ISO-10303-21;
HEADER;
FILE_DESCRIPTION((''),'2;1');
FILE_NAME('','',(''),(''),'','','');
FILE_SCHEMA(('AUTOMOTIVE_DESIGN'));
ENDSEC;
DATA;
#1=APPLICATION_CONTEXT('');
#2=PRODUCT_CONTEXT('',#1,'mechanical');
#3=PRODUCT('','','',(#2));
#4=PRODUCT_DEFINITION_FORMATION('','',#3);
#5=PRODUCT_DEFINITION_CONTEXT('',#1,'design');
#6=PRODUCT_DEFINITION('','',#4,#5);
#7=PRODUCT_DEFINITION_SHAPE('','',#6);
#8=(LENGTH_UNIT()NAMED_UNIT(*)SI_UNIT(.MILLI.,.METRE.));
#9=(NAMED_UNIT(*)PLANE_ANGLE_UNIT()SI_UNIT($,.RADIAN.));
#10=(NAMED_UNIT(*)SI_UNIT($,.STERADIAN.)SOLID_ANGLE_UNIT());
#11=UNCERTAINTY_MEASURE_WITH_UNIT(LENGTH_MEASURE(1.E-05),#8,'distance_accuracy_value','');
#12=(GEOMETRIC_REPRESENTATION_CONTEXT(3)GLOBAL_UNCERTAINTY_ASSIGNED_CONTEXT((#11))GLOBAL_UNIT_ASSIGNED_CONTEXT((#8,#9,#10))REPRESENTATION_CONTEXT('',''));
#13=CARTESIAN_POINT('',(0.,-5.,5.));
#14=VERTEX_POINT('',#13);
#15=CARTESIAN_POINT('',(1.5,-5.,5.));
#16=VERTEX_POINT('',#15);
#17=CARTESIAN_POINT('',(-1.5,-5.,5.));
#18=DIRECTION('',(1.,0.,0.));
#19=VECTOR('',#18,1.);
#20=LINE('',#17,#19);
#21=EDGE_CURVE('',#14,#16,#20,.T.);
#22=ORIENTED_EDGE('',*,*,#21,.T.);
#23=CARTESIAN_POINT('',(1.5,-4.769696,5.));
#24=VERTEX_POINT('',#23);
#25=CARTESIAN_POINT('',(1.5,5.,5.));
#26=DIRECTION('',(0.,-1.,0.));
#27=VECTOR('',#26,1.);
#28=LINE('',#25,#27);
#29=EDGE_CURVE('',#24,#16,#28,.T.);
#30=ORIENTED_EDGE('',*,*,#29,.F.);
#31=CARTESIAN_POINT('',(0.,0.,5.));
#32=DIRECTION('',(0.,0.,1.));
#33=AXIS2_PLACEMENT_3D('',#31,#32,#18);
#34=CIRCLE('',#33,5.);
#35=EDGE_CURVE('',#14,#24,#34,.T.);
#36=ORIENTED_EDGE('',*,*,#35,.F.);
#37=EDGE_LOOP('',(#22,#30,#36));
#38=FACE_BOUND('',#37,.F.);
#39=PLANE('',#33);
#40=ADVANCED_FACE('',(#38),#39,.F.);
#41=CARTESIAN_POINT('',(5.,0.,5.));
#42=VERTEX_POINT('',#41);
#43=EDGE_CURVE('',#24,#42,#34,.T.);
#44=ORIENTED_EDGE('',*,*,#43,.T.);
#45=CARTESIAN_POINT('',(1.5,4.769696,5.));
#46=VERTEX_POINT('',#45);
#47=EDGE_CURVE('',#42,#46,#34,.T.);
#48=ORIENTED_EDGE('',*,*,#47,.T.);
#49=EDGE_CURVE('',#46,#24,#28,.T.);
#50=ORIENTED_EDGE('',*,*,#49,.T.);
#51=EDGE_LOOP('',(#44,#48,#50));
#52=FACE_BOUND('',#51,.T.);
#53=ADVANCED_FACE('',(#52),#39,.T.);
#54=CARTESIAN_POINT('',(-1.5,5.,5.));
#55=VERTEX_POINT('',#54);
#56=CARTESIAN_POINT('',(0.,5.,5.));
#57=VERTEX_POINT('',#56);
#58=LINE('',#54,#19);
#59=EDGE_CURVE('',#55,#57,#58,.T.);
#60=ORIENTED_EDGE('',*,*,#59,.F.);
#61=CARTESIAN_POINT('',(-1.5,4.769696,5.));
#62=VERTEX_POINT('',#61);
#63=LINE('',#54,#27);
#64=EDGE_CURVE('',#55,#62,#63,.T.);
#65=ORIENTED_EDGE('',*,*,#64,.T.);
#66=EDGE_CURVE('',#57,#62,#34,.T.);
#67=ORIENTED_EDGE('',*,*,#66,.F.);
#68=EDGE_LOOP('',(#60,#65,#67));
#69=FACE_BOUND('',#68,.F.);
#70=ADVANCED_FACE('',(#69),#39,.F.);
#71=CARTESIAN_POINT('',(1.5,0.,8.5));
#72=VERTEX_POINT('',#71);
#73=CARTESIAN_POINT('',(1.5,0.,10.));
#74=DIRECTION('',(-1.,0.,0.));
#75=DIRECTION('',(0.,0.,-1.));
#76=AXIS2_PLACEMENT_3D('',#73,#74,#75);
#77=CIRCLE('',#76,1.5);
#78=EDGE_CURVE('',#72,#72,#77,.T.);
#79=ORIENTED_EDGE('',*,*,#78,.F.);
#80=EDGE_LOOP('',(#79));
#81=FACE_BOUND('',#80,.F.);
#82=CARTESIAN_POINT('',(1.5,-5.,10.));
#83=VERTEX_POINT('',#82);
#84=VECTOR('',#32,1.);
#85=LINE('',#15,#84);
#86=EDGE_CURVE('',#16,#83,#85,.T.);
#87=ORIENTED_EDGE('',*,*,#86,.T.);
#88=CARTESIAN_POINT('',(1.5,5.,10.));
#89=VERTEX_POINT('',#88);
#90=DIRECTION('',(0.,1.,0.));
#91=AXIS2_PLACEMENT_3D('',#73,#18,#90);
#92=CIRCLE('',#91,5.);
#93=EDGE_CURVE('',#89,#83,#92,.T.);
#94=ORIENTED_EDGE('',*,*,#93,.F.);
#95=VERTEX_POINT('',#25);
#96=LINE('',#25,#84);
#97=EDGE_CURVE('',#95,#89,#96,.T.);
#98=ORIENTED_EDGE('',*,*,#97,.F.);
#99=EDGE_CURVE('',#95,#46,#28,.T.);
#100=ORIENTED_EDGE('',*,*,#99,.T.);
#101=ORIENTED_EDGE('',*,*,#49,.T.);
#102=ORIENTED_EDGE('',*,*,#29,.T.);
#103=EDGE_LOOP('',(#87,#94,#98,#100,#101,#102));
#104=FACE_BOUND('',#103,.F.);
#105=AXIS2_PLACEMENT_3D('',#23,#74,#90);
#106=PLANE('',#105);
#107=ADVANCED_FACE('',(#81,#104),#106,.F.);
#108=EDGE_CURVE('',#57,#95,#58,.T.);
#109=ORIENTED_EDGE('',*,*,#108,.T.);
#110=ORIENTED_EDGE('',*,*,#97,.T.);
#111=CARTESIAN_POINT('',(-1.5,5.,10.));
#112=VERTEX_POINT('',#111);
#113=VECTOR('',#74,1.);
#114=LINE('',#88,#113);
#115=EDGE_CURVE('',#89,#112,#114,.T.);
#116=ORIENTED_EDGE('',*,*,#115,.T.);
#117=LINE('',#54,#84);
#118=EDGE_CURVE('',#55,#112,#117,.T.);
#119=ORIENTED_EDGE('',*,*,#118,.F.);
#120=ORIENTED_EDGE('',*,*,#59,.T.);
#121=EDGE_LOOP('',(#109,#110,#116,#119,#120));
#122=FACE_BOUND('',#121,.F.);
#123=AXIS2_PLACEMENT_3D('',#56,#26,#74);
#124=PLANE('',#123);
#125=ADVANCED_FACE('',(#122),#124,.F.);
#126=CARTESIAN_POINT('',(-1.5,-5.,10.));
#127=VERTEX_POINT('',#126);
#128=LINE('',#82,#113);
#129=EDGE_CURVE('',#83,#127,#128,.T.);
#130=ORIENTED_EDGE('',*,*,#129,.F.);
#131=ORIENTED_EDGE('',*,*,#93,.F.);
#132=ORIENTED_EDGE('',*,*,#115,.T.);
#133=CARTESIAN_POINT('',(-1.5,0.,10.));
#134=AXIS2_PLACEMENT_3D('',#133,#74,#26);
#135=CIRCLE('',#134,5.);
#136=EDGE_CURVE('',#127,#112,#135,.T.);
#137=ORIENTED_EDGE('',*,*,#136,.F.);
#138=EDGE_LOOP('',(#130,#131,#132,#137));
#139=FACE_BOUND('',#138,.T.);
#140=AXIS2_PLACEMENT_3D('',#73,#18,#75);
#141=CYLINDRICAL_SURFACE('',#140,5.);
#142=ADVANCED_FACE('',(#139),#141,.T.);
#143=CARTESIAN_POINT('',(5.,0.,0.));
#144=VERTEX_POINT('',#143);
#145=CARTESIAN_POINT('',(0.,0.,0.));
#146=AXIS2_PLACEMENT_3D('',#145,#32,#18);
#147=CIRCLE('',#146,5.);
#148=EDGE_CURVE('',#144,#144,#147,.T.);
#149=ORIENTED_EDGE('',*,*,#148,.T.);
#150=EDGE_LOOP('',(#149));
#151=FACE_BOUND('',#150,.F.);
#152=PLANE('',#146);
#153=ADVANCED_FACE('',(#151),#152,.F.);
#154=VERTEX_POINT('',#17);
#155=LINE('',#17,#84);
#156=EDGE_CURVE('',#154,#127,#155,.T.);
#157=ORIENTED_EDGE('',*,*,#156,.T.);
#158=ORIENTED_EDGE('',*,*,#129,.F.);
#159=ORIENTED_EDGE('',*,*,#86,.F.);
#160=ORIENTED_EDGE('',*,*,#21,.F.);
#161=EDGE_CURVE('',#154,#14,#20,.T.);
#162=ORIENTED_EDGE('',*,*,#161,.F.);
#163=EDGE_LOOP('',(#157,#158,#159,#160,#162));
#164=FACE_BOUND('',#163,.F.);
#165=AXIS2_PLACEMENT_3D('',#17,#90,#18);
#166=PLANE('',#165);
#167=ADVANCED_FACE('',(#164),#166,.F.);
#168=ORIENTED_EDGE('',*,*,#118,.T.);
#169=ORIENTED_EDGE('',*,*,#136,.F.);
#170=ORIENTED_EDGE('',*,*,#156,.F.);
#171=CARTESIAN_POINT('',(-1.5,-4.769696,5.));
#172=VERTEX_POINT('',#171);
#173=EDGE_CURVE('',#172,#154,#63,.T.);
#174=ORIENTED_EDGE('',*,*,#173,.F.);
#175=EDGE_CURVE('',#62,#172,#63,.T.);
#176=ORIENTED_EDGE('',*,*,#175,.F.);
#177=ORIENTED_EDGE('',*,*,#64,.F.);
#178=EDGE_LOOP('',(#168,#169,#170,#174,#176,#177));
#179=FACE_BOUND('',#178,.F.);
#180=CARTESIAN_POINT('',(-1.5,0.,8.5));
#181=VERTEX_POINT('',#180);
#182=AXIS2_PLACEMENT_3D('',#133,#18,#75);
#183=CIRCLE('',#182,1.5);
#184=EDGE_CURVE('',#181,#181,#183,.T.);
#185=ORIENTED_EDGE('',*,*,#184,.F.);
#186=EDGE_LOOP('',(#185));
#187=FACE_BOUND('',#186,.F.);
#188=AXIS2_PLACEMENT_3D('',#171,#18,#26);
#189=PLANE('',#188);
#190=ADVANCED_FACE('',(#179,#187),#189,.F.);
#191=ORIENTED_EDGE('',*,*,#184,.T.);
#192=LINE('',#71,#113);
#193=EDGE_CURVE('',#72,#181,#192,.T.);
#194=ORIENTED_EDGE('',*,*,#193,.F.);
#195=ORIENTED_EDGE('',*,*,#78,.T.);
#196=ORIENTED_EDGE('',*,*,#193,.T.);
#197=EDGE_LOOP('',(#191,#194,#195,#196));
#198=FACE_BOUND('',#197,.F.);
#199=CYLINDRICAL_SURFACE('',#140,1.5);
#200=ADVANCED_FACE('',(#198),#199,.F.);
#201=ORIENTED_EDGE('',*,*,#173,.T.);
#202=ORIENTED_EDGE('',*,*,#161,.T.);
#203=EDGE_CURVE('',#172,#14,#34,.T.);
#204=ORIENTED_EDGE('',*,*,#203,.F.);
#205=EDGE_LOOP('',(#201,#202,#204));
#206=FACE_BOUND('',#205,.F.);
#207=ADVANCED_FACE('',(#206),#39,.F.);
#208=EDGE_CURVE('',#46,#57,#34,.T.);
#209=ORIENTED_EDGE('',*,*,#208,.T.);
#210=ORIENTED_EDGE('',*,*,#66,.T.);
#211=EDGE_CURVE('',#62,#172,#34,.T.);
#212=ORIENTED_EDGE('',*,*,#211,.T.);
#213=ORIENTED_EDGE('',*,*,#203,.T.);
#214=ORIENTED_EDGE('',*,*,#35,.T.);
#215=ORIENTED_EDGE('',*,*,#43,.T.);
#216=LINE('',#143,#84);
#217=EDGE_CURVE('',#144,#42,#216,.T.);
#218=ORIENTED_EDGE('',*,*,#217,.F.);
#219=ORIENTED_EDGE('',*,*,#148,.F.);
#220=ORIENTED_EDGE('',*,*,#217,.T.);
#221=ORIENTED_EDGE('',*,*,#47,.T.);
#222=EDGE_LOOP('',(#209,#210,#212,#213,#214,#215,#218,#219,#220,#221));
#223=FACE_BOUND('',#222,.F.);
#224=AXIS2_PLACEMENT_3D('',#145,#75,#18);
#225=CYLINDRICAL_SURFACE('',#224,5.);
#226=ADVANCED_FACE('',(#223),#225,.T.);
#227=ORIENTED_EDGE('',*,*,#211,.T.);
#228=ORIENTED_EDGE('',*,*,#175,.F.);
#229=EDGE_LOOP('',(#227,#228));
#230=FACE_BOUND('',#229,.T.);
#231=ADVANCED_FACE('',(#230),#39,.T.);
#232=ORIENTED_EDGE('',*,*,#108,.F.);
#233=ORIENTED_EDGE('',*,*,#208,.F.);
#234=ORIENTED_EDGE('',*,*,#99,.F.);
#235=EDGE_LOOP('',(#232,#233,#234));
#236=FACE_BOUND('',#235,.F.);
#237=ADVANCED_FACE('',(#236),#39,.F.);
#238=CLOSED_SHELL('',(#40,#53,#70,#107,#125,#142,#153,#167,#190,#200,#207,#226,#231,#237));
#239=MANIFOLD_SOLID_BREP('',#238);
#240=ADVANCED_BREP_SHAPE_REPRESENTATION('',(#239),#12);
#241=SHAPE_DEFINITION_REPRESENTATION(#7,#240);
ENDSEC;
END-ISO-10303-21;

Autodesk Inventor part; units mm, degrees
ref_plane "YZ Plane" through (0, 0, 0) normal (1, 0, 0) x (0, 1, 0)
ref_plane "XZ Plane" through (0, 0, 0) normal (0, 1, 0) x (-1, 0, 0)
ref_plane "XY Plane" through (0, 0, 0) normal (0, 0, 1) x (1, 0, 0)
sketch "Sketch1" plane through (0, 0, 0) normal (0, 0, 1) x (1, 0, 0)
  circle A0 centre (0, 0) radius 5
  dimension "d0" = 10
extrude "Extrusion1" add sketch "Sketch1" along normal blind 5
sketch "Sketch2" plane through (0, 0, 5) normal (0, 0, 1) x (1, 0, 0)
  line L0 (-1.5, -5) -> (1.5, -5)
  line L1 (1.5, -5) -> (1.5, 5)
  line L2 (1.5, 5) -> (-1.5, 5)
  line L3 (-1.5, 5) -> (-1.5, -5)
  line L4 (-1.5, -5) -> (1.5, 5) construction
  line L5 (1.5, -5) -> (-1.5, 5) construction
  circle A0 centre (0, 0) radius 5 projected
  dimension "d3" = 3
  dimension "d4" = 10
extrude "Extrusion2" add sketch "Sketch2" along normal blind 10 contours L3 A0 L0 | A0 L1 L0 | A0 L3 L1 | L3 L2 A0 | A0 L2 L1
sketch "Sketch3" plane through (1.5, -4.7697, 5) normal (1, 0, 0) x (0, 0, -1)
  line L0 (0, -0.2303) -> (-10, -0.2303) projected
  line L1 (-10, 9.7697) -> (0, -0.2303)
  line L2 (0, -0.2303) -> (0, 9.7697)
  line L3 (-10, 9.7697) -> (-10, -0.2303) projected
  line L4 (0, 9.7697) -> (-10, -0.2303)
  circle A0 centre (-5, 4.7697) radius 1.5
  point P0 (5, 4.7697)
  dimension "d7" = 3
extrude "Extrusion3" cut sketch "Sketch3" against normal through all contours A0 L4 L1 | L1 L4 A0 | A0 L1 L4 | L1 A0 L4
sketch "Sketch4" plane through (1.5, -4.7697, 5) normal (1, 0, 0) x (0, 0, -1)
  circle A0 centre (-5, 4.7697) radius 1.5 projected
  circle A1 centre (-5, 4.7697) radius 5
  line L0 (-5, 4.7697) -> (-5, 9.7697)
  line L1 (-5, 4.7697) -> (-5, -0.2303)
  line L2 (0, -0.2303) -> (-10, -0.2303) projected
  line L3 (-10, -0.2303) -> (-10, 9.7697) projected
  line L4 (0, 9.7697) -> (-10, 9.7697) projected
  point P0 (5, 4.7697)
  point P1 (-10, 4.7697)
extrude "Extrusion4" cut sketch "Sketch4" against normal through all contours A1 L3 L4 | L2 L3 A1
properties part number "pm connector"
